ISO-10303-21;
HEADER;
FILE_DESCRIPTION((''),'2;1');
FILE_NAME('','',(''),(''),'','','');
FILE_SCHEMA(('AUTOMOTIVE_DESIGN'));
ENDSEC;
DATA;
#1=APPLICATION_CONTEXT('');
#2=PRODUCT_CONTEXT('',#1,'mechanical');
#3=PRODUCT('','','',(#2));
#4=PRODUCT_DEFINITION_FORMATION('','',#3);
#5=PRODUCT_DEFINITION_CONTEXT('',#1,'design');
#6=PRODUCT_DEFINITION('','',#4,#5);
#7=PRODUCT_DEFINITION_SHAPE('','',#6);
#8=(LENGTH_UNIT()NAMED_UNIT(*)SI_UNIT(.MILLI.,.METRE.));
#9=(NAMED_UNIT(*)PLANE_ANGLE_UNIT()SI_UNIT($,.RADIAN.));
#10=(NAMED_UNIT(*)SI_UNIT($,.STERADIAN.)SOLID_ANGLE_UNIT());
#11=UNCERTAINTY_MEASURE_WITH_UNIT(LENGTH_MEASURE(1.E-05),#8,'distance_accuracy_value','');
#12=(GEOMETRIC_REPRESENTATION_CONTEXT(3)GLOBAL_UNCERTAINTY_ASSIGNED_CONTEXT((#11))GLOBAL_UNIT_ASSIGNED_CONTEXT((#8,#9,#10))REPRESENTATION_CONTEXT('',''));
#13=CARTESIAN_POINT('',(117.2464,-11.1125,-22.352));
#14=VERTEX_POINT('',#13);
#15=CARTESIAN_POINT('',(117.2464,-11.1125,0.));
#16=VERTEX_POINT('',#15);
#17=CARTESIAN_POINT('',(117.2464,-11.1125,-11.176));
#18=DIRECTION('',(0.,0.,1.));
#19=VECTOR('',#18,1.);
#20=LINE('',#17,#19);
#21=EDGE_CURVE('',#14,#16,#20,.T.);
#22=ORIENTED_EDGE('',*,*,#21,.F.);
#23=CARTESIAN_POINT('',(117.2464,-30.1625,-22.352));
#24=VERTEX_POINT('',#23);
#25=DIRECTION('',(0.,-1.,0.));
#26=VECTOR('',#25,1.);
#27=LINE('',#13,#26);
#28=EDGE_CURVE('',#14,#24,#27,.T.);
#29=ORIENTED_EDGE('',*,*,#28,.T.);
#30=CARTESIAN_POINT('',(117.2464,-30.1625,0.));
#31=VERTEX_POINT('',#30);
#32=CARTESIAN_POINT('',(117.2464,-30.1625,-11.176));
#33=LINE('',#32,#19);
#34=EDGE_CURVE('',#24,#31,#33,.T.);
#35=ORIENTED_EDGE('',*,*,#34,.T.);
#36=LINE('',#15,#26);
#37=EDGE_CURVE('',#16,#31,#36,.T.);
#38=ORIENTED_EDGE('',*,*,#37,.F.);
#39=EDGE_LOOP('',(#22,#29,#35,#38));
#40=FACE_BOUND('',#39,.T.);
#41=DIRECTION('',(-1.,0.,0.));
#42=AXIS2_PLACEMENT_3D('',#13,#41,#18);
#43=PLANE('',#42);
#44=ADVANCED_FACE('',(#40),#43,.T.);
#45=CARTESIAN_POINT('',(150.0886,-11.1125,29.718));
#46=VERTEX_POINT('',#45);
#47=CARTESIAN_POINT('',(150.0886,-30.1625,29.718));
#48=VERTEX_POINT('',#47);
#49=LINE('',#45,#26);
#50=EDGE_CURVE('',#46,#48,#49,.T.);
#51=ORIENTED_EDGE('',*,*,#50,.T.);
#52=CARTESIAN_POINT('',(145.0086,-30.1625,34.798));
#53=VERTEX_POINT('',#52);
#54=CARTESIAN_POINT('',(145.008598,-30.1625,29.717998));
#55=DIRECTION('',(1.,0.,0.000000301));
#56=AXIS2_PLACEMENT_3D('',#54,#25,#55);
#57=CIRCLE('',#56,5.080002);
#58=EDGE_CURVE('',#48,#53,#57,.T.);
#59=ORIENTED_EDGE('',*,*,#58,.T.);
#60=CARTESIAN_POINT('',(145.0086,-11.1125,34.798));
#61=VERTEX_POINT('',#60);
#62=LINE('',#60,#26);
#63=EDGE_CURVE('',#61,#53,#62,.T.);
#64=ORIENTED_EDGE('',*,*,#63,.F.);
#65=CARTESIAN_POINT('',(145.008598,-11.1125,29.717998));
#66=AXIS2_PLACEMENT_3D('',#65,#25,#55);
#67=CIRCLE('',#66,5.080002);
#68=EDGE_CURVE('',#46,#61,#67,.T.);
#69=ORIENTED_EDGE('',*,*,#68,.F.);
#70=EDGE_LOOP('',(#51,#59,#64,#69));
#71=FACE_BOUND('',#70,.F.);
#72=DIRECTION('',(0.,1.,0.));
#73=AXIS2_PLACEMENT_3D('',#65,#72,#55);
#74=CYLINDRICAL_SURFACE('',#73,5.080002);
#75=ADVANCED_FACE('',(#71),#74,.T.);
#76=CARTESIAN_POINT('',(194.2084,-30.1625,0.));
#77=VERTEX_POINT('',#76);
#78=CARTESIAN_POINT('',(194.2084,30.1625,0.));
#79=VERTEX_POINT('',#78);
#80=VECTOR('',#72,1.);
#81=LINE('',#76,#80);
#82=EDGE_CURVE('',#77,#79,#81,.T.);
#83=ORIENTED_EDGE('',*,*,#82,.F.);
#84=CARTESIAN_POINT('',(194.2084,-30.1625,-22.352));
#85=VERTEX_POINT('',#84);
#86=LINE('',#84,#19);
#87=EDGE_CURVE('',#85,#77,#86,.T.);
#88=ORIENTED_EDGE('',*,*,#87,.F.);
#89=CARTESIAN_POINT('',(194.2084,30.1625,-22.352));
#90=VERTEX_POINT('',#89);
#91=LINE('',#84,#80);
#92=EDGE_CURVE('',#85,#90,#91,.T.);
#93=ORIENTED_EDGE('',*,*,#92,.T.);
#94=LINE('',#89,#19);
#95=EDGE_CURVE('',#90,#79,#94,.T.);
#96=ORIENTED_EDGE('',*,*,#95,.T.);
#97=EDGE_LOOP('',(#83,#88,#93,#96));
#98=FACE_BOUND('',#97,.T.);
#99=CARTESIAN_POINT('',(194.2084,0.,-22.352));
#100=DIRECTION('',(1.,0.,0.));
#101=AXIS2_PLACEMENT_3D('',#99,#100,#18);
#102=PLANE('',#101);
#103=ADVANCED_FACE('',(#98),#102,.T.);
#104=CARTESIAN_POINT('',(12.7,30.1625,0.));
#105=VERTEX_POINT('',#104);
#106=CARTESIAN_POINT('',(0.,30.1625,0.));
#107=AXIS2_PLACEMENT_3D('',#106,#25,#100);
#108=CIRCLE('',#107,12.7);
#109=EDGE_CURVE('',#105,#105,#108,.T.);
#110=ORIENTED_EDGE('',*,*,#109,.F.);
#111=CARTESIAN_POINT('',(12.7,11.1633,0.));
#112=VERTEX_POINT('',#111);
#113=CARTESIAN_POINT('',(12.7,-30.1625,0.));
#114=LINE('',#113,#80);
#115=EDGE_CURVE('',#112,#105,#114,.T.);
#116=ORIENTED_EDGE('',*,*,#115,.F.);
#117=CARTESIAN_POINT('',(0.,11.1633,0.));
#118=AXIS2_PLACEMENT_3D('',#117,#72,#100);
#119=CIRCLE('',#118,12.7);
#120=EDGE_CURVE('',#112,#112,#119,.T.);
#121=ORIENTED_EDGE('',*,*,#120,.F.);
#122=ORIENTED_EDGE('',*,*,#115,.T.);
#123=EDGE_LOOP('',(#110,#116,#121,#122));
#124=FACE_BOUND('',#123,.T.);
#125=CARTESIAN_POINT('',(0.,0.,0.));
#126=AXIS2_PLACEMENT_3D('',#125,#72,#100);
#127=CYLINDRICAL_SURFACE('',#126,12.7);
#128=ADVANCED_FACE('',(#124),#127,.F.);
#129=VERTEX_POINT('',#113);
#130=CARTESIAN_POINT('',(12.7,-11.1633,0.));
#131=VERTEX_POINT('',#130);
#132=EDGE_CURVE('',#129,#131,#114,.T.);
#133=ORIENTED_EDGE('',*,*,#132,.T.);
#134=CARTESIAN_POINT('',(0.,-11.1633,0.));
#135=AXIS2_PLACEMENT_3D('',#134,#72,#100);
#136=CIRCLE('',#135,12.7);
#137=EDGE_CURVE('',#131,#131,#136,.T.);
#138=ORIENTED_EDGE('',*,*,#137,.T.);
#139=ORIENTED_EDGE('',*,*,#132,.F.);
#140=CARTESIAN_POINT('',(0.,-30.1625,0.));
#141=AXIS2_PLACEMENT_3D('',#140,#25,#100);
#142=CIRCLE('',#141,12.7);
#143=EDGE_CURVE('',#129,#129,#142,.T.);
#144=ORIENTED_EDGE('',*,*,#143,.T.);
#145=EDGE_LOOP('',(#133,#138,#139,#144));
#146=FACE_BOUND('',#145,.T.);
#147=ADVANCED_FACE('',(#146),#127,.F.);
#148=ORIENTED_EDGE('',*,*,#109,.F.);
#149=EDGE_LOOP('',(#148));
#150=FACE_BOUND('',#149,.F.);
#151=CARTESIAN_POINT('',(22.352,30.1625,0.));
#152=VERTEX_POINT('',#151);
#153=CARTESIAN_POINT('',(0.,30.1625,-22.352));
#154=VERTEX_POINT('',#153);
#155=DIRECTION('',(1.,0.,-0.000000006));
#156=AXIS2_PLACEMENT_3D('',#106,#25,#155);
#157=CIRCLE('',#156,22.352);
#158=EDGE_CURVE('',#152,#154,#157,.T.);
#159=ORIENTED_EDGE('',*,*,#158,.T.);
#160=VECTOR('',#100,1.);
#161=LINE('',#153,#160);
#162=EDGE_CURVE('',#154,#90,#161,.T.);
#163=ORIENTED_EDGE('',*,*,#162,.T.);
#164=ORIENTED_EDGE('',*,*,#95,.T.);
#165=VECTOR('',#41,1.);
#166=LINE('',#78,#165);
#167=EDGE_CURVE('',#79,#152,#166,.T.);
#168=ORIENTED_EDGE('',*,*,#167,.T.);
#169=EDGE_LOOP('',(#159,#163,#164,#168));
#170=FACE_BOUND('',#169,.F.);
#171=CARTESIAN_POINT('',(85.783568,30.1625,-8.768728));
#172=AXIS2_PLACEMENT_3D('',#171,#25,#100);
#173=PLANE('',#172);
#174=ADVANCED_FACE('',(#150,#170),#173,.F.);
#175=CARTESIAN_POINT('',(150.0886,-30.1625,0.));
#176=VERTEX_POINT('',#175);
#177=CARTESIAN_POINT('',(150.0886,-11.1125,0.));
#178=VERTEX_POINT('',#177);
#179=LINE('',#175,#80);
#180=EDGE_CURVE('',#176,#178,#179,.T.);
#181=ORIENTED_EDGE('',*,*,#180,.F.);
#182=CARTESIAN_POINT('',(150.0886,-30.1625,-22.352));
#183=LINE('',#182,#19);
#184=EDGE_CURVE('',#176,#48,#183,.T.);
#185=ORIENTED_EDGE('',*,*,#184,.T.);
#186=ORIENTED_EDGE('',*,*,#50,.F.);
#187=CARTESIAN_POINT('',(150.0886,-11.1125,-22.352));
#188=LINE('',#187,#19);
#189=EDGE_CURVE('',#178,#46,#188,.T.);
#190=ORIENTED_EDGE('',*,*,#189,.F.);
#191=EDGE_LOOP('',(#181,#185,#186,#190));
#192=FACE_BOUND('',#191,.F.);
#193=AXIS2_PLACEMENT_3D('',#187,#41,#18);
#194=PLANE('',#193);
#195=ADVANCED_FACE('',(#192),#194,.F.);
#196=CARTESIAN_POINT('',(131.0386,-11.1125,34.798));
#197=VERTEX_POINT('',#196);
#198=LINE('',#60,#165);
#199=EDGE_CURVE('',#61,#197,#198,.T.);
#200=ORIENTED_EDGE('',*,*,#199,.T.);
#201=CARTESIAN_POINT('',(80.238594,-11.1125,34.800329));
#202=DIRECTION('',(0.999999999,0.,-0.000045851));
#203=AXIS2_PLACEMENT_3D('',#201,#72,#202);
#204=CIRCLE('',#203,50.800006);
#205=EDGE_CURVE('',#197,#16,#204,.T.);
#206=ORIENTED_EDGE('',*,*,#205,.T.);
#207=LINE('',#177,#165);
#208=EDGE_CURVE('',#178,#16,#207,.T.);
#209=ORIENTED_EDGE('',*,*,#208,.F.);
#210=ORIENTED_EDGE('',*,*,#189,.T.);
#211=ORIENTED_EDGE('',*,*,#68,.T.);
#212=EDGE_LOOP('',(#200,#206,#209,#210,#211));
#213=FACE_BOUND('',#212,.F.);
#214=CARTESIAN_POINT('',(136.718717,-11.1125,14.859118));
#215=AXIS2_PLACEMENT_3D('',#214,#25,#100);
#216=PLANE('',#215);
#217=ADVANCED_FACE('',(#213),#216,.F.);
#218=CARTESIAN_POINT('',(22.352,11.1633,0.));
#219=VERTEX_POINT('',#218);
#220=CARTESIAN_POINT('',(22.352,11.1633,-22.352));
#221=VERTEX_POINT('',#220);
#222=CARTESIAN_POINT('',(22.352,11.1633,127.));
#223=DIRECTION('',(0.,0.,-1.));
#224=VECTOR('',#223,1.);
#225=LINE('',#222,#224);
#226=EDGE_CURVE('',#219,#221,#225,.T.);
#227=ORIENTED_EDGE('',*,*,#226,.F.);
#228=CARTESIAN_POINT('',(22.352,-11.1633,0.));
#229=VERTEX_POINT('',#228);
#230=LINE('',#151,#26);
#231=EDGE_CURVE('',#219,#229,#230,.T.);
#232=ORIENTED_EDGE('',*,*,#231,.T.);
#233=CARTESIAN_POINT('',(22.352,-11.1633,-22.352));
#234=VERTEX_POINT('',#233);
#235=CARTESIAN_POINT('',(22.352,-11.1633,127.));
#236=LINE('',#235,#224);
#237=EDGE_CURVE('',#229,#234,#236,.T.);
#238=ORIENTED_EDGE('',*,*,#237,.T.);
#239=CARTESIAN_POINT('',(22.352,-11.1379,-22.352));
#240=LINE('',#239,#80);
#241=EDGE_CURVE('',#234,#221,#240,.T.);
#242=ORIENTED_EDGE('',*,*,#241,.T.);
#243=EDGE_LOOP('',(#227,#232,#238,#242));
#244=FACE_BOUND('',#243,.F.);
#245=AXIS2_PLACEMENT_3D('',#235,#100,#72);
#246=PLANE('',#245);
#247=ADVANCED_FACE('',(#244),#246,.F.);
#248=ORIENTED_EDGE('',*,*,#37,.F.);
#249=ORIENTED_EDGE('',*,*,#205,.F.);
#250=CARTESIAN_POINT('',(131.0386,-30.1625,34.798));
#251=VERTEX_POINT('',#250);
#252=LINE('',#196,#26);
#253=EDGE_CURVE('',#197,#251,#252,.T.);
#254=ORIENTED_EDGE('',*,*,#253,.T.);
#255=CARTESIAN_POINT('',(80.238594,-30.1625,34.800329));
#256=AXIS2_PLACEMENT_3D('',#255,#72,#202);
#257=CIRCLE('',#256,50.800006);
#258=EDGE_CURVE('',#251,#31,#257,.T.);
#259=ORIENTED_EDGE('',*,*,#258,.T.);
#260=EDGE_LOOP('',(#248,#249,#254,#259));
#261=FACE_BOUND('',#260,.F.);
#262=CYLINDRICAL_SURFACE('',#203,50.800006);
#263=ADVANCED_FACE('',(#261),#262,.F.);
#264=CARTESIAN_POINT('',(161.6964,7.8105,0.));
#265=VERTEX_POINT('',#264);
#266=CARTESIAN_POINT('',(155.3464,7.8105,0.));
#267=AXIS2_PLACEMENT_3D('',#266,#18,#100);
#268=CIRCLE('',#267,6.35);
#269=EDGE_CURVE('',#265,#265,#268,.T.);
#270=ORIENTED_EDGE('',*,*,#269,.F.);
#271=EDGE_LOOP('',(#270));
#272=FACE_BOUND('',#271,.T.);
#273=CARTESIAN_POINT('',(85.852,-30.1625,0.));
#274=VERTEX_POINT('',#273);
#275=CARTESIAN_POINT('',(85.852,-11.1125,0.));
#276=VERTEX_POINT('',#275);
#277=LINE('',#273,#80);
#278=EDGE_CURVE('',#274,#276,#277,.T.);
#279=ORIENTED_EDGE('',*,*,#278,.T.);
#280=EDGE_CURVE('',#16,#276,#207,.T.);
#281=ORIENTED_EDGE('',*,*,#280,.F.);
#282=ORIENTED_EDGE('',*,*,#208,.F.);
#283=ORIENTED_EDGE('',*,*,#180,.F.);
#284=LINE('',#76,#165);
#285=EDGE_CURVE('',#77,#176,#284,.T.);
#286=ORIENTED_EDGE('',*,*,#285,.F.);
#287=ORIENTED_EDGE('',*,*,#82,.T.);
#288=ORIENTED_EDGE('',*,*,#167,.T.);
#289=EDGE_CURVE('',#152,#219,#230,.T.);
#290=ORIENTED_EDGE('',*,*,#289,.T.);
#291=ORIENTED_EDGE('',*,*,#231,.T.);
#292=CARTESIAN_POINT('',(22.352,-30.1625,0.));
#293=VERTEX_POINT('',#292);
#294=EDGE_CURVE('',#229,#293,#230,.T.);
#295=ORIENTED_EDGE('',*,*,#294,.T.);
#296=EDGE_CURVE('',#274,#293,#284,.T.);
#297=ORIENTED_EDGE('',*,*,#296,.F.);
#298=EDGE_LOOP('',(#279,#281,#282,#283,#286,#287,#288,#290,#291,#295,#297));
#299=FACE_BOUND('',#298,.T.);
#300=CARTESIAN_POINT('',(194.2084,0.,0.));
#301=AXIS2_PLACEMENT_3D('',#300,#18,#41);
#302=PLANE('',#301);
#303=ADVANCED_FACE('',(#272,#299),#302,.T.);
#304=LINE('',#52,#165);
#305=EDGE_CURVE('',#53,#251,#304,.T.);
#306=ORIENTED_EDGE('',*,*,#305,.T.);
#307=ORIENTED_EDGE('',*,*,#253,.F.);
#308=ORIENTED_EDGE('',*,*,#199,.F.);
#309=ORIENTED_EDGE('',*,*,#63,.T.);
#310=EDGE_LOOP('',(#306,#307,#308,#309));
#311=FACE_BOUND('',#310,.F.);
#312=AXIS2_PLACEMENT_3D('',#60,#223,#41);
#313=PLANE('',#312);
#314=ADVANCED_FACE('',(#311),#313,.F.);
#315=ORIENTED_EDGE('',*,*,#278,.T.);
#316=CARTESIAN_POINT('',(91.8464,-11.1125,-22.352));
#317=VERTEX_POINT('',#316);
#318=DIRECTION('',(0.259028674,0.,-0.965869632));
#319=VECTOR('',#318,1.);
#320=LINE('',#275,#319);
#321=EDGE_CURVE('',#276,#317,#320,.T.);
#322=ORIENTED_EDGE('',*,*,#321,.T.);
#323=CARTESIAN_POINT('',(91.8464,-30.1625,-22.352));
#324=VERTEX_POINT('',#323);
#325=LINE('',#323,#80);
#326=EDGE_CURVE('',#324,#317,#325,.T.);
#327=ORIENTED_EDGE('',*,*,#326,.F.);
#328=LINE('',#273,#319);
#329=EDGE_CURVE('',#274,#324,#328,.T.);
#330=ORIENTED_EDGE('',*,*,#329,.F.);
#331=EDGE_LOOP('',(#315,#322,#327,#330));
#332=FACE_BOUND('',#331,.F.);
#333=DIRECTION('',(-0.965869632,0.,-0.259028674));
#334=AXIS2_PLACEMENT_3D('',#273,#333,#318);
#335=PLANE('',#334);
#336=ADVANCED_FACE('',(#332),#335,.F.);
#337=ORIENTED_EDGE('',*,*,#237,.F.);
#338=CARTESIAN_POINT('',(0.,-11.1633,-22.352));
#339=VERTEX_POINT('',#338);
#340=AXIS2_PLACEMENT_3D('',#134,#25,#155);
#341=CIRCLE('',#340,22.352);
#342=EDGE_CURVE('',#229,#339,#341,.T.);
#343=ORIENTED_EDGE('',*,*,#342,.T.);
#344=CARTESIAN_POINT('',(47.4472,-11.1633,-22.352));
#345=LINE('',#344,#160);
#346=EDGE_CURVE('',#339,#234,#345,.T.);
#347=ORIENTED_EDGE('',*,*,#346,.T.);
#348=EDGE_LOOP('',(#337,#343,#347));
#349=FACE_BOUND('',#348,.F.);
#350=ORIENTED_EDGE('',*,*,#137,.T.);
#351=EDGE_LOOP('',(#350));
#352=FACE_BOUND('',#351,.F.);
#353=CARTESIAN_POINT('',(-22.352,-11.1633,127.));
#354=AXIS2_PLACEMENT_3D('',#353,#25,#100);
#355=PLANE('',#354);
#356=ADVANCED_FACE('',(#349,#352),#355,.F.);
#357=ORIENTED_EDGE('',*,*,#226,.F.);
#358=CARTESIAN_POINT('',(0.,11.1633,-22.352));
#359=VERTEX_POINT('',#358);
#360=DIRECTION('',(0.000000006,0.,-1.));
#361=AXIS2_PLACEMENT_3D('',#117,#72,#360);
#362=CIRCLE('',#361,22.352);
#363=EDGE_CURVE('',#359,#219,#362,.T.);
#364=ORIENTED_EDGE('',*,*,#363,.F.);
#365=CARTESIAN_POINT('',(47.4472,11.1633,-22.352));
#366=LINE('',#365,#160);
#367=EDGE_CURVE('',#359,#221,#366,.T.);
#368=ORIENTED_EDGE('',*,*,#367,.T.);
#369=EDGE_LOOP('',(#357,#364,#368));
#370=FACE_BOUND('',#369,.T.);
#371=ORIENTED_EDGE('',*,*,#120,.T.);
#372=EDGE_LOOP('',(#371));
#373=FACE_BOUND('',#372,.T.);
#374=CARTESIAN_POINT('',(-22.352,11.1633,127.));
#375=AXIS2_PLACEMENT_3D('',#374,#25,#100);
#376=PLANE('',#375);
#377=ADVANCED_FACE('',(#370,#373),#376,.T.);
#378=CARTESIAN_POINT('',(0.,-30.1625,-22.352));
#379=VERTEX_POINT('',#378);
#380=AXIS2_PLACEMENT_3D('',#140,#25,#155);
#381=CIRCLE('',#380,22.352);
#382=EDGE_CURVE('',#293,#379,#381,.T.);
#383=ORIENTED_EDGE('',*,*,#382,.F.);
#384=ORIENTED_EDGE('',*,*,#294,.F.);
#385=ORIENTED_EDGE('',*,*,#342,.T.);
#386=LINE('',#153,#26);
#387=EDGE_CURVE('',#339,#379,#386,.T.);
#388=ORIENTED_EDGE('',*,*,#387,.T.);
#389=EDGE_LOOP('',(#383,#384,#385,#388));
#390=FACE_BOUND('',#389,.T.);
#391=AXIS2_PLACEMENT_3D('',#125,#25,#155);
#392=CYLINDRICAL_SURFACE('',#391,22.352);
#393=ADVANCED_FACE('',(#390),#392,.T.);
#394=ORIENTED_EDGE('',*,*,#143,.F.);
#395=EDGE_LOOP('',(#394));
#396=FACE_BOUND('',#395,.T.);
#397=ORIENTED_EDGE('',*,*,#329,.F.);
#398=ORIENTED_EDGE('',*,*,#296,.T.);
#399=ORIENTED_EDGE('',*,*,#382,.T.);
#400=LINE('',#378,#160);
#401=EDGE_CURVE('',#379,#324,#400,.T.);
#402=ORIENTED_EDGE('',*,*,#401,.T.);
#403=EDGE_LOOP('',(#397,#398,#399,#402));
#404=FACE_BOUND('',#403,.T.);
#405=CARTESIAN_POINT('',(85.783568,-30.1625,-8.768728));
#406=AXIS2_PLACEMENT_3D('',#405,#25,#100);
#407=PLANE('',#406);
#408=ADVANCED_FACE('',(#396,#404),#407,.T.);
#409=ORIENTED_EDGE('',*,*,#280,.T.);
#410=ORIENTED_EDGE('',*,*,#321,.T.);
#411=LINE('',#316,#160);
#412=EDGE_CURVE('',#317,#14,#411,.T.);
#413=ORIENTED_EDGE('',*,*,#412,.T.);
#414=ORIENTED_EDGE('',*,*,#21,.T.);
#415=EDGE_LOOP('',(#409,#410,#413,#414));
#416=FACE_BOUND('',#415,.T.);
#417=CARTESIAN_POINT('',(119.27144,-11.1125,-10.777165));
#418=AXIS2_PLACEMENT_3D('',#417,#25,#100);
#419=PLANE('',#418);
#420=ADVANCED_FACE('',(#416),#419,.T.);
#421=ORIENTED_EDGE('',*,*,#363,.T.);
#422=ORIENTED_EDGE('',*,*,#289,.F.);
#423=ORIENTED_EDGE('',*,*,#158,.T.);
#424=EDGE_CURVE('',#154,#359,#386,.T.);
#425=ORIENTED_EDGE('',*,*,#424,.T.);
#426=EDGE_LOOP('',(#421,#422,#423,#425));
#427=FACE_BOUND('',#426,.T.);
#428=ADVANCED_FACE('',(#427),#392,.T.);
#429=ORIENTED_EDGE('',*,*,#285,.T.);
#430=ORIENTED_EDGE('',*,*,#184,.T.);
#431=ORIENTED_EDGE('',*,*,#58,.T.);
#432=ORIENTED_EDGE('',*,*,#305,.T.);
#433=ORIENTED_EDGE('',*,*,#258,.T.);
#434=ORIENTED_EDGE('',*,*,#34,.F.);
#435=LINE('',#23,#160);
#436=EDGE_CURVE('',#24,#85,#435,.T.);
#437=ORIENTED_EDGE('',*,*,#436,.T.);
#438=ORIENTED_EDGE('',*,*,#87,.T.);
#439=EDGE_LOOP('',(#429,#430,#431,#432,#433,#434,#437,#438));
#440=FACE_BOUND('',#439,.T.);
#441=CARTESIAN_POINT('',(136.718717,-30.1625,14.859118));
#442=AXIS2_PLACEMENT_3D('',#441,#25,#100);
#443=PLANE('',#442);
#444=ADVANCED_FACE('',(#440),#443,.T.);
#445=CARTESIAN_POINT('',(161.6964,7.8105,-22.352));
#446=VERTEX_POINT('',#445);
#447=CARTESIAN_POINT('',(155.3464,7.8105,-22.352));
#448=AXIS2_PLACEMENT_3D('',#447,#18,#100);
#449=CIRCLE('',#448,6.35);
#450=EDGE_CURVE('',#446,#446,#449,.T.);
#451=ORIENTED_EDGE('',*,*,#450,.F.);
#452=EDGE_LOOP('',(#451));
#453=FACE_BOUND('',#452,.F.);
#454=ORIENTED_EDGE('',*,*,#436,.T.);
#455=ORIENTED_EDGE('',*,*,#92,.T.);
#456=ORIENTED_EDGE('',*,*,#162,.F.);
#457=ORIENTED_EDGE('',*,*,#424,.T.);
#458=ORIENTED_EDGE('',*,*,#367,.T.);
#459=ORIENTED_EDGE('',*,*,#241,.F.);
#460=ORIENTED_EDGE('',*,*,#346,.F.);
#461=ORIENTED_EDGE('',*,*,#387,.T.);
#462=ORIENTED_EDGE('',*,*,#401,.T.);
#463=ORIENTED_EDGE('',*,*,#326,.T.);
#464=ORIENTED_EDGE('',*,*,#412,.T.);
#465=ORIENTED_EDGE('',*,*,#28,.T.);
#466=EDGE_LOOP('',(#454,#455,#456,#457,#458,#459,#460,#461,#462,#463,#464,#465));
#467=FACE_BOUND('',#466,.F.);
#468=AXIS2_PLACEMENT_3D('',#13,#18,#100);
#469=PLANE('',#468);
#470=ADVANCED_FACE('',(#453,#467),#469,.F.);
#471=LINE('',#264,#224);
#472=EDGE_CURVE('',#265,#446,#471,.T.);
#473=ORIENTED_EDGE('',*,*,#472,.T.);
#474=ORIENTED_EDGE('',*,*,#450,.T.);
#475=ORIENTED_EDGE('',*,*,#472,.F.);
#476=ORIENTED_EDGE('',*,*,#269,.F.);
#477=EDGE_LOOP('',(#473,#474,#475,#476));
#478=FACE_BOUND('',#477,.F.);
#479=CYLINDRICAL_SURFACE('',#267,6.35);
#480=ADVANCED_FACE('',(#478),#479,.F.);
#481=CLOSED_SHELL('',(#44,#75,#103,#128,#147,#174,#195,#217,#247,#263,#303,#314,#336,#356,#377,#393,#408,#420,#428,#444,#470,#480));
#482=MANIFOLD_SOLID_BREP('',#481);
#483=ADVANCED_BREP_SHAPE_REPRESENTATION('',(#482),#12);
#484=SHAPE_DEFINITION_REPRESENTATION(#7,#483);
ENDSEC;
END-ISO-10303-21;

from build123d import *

# Parameters (mm, degrees)
F0_R      = 12.7
F1_DEPTH  = 30.1625
F3_DEPTH  = 19.05
F4_W      = 32.8422
F4_H      = 22.352
F5_DEPTH  = 19.05
F6_R      = 6.35
F7_DEPTH  = 22.353
F9_W      = 44.704
F9_H      = 22.3266
F10_DEPTH = 149.353


with BuildPart() as f1:
    # F0 (on Front) → F1 (new body, symmetric)
    with BuildSketch(Plane.XZ):
        with BuildLine():
            Line((194.2084, 0), (22.352, 0))
            ThreePointArc((22.352, 0), (-15.805251, 15.805251), (0, -22.352))
            Line((0, -22.352), (194.2084, -22.352))
            Line((194.2084, -22.352), (194.2084, 0))
        make_face()
        Circle(F0_R, mode=Mode.SUBTRACT)
    extrude(amount=F1_DEPTH, both=True)

    # F2 (on face) → F3 (cut)
    with BuildSketch(Plane.XZ.offset(30.1625)):
        Polygon((91.8464, -22.352), (150.0886, -22.352), (150.0886, 0), (85.852, 0), align=None)
    extrude(amount=-F3_DEPTH, mode=Mode.SUBTRACT)

    # F4 (on face) → F5 (join)
    with BuildSketch(Plane.XZ.offset(11.1125)):
        with BuildLine():
            Line((117.2464, 0), (150.0886, 0))
            Line((150.0886, 0), (150.0886, 29.718))
            ThreePointArc((150.0886, 29.718), (148.600702, 33.310102), (145.0086, 34.798))
            Line((145.0086, 34.798), (131.0386, 34.798))
            ThreePointArc((131.0386, 34.798), (127.464415, 16.082358), (117.2464, 0))
        make_face()
        with Locations((133.6675, -11.176)):
            Rectangle(F4_W, F4_H)
    extrude(amount=F5_DEPTH)

    # F6 (on Top) → F7 (cut, through all)
    with BuildSketch(Plane.XY):
        with Locations((155.3464, 7.8105)):
            Circle(F6_R)
    extrude(amount=-F7_DEPTH, mode=Mode.SUBTRACT)

    # F9 (on offset) → F10 (cut, through all)
    with BuildSketch(Plane.XY.offset(127)):
        Rectangle(F9_W, F9_H)
    extrude(amount=-F10_DEPTH, mode=Mode.SUBTRACT)


solid = f1.part
